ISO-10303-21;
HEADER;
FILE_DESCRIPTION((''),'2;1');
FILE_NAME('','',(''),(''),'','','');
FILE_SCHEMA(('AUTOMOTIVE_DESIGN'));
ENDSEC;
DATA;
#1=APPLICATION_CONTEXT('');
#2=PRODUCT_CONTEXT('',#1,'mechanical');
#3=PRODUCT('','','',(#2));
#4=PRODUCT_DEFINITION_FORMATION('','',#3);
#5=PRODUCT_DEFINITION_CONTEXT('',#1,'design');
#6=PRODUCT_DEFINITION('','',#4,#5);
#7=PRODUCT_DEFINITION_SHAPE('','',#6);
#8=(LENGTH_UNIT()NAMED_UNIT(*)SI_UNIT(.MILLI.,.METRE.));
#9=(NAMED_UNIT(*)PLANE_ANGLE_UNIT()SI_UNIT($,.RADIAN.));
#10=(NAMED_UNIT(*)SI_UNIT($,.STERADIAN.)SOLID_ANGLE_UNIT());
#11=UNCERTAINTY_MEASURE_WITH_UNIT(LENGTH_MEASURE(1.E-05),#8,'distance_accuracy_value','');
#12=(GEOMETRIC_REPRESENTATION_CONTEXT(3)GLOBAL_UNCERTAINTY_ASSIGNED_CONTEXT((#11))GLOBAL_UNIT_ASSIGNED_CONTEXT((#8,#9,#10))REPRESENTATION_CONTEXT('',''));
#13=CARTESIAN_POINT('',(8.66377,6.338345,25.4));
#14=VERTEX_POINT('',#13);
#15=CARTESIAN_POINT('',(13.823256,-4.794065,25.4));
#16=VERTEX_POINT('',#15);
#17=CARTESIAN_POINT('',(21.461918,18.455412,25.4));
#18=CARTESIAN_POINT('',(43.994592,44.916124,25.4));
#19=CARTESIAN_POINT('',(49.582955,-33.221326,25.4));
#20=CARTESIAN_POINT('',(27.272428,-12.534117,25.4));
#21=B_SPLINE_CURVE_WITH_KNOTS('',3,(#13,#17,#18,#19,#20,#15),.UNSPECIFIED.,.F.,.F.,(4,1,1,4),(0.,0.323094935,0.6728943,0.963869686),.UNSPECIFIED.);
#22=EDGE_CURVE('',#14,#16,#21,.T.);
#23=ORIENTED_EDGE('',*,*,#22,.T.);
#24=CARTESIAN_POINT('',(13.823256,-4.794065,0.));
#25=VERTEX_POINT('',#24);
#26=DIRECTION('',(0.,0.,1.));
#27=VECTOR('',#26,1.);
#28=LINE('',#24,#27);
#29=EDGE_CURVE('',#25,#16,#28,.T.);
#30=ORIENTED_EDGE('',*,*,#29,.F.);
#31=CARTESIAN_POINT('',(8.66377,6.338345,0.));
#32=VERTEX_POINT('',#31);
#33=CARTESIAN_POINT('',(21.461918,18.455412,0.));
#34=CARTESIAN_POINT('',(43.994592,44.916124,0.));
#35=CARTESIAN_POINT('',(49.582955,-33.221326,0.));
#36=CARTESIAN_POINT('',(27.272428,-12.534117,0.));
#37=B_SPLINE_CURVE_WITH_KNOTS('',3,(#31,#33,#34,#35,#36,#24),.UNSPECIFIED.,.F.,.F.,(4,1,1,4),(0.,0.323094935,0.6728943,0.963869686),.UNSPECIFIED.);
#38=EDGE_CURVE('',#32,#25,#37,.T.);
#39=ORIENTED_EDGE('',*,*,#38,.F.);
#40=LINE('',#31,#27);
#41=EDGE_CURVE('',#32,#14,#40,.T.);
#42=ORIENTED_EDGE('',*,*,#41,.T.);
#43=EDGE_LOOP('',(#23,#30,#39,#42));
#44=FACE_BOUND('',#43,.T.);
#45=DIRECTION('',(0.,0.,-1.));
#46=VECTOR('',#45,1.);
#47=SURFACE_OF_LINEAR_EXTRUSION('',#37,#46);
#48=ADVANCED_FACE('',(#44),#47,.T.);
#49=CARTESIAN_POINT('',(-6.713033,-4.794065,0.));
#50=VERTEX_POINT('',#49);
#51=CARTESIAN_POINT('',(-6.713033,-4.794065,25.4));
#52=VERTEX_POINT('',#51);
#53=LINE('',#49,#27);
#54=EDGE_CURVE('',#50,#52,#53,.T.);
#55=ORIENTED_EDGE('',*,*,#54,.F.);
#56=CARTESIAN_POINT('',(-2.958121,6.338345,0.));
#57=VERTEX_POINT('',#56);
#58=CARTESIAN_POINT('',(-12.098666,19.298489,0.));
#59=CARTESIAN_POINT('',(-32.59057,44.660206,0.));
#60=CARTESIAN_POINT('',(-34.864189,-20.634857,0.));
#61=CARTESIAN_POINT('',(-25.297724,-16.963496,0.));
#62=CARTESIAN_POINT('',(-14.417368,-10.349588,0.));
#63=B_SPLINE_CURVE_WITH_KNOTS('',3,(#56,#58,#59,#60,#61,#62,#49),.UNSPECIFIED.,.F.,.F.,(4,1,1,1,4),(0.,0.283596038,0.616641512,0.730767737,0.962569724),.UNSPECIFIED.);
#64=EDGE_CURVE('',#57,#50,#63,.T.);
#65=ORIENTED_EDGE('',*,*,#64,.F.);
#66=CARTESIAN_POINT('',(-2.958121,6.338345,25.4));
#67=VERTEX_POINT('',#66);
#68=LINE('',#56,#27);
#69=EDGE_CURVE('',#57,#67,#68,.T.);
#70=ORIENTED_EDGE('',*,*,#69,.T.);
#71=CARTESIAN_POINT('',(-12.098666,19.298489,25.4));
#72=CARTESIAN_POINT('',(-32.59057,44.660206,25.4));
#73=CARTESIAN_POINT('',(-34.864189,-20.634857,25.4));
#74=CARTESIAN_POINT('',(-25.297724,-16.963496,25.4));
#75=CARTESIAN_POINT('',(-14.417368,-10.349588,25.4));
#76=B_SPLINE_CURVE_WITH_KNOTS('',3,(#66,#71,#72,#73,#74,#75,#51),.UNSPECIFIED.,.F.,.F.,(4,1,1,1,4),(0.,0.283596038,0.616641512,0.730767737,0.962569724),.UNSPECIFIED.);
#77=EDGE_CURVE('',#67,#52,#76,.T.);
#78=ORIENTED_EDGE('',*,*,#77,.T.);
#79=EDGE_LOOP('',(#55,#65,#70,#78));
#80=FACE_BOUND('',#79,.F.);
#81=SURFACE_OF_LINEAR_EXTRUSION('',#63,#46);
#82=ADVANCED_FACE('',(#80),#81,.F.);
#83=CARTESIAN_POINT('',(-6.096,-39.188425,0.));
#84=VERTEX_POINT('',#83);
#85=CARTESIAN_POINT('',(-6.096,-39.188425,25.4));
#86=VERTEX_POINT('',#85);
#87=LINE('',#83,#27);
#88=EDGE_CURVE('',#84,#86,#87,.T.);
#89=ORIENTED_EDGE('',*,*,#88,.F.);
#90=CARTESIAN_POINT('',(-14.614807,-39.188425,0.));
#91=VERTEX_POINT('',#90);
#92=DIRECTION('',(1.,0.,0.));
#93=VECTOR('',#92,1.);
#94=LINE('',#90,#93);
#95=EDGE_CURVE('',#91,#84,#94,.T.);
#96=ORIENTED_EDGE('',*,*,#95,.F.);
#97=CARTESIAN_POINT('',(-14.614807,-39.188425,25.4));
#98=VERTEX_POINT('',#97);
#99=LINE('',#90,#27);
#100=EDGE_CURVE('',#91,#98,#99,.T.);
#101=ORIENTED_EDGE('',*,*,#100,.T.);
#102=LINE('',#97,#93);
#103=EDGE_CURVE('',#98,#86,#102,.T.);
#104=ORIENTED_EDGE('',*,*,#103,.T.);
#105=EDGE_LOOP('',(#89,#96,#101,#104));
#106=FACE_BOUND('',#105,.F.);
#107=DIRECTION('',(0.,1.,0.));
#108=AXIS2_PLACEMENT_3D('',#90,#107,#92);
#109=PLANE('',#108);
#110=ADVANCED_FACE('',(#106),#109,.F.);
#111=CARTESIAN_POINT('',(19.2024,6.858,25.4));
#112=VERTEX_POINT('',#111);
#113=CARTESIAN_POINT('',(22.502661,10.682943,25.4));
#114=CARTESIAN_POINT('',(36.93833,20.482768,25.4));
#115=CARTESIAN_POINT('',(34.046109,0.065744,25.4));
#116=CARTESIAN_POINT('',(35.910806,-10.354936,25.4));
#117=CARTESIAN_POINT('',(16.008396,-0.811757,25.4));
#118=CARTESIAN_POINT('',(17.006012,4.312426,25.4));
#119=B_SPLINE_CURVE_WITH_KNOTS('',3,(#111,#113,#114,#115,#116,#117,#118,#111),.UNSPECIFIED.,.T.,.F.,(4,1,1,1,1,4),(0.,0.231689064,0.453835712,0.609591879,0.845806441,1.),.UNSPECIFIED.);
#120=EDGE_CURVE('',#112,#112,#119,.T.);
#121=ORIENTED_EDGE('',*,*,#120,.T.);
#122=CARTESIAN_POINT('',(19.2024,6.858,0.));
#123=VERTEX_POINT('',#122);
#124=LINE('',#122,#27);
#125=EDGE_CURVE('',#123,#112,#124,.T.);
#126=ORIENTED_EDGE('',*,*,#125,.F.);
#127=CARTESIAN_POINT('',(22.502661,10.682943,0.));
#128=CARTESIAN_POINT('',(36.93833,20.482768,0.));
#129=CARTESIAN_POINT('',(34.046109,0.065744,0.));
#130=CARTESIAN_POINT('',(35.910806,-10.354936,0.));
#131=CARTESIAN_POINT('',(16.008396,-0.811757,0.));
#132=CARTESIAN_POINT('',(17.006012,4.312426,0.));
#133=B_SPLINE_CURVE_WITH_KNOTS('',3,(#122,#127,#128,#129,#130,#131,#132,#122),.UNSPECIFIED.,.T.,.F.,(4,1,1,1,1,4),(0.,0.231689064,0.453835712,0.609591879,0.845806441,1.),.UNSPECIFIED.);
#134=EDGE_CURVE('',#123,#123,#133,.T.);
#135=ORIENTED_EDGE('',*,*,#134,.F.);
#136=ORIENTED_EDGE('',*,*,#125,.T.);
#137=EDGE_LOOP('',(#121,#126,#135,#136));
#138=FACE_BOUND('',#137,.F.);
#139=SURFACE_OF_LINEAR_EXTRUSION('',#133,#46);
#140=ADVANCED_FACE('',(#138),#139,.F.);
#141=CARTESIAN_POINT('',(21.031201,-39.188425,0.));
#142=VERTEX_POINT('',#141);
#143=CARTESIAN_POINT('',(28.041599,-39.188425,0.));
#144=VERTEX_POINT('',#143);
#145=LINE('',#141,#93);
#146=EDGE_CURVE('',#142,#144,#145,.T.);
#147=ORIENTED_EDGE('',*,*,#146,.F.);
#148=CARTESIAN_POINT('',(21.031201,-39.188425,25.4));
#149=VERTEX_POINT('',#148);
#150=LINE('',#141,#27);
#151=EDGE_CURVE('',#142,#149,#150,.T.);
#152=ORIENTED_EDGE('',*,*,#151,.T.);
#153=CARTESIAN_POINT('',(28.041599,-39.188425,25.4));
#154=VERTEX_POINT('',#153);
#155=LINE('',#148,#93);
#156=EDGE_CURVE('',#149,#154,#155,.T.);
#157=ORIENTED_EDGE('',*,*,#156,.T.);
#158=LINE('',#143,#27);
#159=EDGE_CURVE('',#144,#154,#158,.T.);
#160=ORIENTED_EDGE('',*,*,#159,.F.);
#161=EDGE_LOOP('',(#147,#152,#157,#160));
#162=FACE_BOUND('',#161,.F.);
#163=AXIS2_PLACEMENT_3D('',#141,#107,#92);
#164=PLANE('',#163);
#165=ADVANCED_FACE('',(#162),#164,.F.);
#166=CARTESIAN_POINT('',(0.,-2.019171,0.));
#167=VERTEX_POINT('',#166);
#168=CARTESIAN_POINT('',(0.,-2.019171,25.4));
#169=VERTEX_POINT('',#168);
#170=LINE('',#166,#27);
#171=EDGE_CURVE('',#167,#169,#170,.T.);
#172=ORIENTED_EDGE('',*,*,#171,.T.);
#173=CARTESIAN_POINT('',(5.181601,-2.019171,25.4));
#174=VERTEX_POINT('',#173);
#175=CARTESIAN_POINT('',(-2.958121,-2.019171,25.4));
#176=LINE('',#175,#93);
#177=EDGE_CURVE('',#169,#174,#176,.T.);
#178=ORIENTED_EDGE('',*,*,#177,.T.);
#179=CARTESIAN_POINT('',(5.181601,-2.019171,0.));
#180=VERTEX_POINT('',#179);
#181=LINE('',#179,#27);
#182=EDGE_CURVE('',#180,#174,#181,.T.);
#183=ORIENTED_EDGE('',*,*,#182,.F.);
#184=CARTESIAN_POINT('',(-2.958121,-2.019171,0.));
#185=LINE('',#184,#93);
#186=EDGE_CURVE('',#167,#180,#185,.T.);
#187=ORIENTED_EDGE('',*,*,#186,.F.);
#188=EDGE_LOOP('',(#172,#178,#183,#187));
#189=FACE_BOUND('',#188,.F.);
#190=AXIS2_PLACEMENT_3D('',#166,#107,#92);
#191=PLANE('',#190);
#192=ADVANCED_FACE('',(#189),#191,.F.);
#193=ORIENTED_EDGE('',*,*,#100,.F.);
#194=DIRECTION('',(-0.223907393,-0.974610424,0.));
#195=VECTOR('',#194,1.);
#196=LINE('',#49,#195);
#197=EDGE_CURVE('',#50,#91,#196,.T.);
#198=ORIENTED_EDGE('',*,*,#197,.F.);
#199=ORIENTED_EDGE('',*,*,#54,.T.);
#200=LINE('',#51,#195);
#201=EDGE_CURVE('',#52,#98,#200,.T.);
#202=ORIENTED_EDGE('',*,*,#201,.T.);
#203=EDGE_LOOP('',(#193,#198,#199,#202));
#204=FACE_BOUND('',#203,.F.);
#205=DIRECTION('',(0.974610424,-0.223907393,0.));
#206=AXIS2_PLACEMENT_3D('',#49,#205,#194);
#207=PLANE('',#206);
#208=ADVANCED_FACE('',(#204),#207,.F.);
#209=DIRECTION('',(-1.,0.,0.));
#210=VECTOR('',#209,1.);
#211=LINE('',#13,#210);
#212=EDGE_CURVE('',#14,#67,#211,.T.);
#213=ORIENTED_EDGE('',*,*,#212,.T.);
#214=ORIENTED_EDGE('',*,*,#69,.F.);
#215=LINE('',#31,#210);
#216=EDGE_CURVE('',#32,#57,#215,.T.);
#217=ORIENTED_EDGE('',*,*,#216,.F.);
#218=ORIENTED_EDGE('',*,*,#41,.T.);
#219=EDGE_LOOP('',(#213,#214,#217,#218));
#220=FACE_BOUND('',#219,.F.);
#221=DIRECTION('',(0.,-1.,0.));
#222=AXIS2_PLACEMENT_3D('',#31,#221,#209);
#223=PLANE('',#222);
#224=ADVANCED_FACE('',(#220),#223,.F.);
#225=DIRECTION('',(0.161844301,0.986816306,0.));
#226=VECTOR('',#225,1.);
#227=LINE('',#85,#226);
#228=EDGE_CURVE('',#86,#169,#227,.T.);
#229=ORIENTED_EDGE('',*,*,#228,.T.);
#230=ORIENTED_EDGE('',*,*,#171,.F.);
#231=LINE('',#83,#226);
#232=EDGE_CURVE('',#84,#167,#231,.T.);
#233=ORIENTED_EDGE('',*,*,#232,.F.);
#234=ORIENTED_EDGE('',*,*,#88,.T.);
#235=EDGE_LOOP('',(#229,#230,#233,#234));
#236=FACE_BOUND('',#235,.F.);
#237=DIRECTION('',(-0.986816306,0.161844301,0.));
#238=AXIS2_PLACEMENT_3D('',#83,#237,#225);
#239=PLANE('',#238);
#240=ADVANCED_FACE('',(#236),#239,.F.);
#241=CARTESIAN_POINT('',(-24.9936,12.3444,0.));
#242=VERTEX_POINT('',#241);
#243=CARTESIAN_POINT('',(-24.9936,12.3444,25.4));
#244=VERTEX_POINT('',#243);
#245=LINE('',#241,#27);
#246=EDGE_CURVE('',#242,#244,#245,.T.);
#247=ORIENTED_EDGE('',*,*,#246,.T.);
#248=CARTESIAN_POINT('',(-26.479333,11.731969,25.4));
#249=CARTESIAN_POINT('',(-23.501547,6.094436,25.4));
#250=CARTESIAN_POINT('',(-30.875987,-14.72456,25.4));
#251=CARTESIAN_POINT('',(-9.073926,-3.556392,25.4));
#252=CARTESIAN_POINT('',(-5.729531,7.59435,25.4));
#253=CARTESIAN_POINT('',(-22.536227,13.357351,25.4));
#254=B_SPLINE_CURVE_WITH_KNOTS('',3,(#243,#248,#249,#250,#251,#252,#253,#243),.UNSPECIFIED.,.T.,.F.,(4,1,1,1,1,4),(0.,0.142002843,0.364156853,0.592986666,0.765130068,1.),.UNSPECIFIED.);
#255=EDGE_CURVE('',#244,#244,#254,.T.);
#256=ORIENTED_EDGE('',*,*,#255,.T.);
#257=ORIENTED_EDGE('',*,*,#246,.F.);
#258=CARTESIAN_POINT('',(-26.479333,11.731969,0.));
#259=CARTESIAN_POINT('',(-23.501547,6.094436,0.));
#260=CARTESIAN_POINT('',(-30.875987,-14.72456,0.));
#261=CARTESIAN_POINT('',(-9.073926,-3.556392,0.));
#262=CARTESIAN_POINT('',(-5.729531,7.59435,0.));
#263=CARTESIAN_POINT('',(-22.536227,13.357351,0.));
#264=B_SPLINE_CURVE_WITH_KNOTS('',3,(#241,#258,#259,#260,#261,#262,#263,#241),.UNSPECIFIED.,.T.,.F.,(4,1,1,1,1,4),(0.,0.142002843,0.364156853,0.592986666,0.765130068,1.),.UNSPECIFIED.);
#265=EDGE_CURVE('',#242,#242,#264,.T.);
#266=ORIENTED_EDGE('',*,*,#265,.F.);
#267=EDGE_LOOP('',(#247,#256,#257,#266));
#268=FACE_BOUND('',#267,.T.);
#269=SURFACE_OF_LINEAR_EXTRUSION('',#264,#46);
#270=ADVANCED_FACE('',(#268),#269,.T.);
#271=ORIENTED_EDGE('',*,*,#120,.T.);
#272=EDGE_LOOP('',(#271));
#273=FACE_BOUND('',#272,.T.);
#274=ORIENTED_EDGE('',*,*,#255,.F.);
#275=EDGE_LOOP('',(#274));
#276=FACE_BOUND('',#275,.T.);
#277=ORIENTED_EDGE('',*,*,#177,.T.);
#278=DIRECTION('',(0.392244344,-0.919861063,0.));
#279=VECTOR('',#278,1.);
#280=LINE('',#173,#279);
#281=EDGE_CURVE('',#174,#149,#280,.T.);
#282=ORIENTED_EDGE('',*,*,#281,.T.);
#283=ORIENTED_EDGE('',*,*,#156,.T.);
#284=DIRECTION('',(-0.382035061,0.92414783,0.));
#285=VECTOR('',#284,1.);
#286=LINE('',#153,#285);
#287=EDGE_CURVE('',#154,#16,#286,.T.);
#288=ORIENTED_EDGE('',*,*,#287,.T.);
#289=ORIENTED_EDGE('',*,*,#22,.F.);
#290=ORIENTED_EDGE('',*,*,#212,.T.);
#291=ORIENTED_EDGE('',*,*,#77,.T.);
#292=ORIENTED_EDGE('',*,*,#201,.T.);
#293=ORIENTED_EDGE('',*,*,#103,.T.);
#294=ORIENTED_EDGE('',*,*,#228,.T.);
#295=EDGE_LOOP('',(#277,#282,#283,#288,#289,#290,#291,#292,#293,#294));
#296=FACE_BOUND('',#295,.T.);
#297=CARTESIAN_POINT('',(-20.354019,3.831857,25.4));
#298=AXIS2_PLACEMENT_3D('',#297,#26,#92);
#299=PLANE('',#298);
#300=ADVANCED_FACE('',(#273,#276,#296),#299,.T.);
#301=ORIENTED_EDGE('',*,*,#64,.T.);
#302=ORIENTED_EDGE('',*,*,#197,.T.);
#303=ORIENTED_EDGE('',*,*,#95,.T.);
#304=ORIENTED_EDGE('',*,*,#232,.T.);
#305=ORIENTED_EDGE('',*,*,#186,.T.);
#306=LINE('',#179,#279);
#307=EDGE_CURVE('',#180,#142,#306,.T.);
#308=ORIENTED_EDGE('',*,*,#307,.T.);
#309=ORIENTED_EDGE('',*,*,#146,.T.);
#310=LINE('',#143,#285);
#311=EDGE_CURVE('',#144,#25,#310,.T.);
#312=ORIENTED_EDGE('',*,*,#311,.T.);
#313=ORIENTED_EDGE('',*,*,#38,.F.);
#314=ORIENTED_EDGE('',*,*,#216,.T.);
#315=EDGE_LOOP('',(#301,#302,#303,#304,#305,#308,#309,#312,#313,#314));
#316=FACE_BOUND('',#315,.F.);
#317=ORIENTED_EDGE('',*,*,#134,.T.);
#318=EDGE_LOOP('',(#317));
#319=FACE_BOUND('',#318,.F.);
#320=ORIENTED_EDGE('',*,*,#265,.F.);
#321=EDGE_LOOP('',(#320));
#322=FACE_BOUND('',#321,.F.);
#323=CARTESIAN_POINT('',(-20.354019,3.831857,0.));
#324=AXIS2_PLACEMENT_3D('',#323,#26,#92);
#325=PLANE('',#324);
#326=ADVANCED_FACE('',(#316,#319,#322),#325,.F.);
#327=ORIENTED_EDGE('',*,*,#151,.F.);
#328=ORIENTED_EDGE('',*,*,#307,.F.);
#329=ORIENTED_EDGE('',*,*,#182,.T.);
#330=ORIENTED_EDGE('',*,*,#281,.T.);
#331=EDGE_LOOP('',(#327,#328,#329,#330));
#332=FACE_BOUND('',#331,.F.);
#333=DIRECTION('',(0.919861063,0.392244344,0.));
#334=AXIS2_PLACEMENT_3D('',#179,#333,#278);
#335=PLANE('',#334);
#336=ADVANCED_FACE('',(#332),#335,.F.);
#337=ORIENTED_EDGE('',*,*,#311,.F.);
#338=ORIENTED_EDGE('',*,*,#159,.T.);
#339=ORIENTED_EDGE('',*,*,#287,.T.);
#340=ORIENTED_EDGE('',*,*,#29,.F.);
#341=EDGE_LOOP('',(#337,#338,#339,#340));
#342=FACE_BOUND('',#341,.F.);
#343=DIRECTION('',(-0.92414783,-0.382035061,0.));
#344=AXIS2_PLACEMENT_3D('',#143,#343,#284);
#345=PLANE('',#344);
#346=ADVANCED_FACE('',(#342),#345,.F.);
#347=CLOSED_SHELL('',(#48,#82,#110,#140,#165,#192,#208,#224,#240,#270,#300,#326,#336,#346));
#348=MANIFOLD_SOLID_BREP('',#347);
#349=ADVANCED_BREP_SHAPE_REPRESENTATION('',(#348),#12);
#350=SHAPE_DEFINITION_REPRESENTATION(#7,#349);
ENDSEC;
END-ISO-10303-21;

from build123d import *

# Parameters (mm, degrees)
F1_DEPTH = 25.4


with BuildPart() as f1:
    # F0 (on Top) → F1 (new body)
    with BuildSketch(Plane.XY):
        with BuildLine():
            Line((-2.9581205236, -2.0191706615), (-2.9581205236, 6.338345402))
            add(Edge.make_bspline(
                [(-2.9581205236, 6.338345402), (-12.0986659968, 19.2984889686), (-32.5905697542, 44.6602055525), (-34.8641885967, -20.6348572647), (-25.2977244286, -16.9634962979), (-14.417367639, -10.3495882245), (-6.7130328958, -4.7940652445)],
                knots=[0, 0, 0, 0, 0.2835960384, 0.6166415118, 0.730767737, 0.9625697241, 0.9625697241, 0.9625697241, 0.9625697241], degree=3))
            add(Edge.make_bspline(
                [(-6.7130328958, -4.7940652445), (-5.4689737815, -3.8969859731), (-4.2141316776, -2.970608914), (-2.9581205236, -2.0191706615)],
                knots=[0.9625697241, 0.9625697241, 0.9625697241, 0.9625697241, 1, 1, 1, 1], degree=3))
        make_face()
        with BuildLine():
            add(Edge.make_bspline(
                [(-24.9936003238, 12.3444003984), (-26.4793332005, 11.7319685698), (-23.5015465077, 6.0944355289), (-30.8759872237, -14.7245595864), (-9.0739261199, -3.5563915999), (-5.7295309332, 7.5943501316), (-22.5362271262, 13.357350697), (-24.9936003238, 12.3444003984)],
                knots=[0, 0, 0, 0, 0.1420028425, 0.3641568526, 0.5929866655, 0.7651300683, 1, 1, 1, 1], degree=3))
        make_face(mode=Mode.SUBTRACT)
        with BuildLine():
            add(Edge.make_bspline(
                [(8.6637696077, 6.338345402), (21.461918375, 18.4554115112), (43.9945923097, 44.9161242647), (49.5829548416, -33.2213258299), (27.2724278193, -12.5341174591), (13.8232555906, -4.7940652445)],
                knots=[0, 0, 0, 0, 0.3230949347, 0.6728943001, 0.9638696859, 0.9638696859, 0.9638696859, 0.9638696859], degree=3))
            Line((8.6637696077, 6.338345402), (8.6637696077, 2.1595873702))
            Line((8.6637696077, 2.1595873702), (8.6637696077, 0))
            Line((8.6637696077, 0), (8.6637696077, -2.0191706615))
            add(Edge.make_bspline(
                [(13.8232555906, -4.7940652445), (12.1532764748, -3.8329856082), (10.4321404472, -2.8974074429), (8.6637696077, -2.0191706615)],
                knots=[0.9638696859, 0.9638696859, 0.9638696859, 0.9638696859, 1, 1, 1, 1], degree=3))
        make_face()
        with BuildLine():
            add(Edge.make_bspline(
                [(19.2023999989, 6.8580000661), (22.5026610651, 10.6829434203), (36.938330071, 20.4827682141), (34.046109161, 0.0657442607), (35.9108058501, -10.3549355623), (16.0083963591, -0.8117573707), (17.0060123562, 4.3124262013), (19.2023999989, 6.8580000661)],
                knots=[0, 0, 0, 0, 0.2316890644, 0.4538357119, 0.6095918787, 0.8458064414, 1, 1, 1, 1], degree=3))
        make_face(mode=Mode.SUBTRACT)
        Polygon((8.6637696077, 6.338345402), (-2.9581205236, 6.338345402), (-2.9581205236, -2.0191706615), (0, -2.0191706615), (5.1816008054, -2.0191706615), (8.6637696077, -2.0191706615), (8.6637696077, 0), (8.6637696077, 2.1595873702), align=None)
        with BuildLine():
            Line((28.0415993184, -39.1884254924), (13.8232555906, -4.7940652445))
            add(Edge.make_bspline(
                [(13.8232555906, -4.7940652445), (12.1532764748, -3.8329856082), (10.4321404472, -2.8974074429), (8.6637696077, -2.0191706615)],
                knots=[0.9638696859, 0.9638696859, 0.9638696859, 0.9638696859, 1, 1, 1, 1], degree=3))
            Line((8.6637696077, -2.0191706615), (5.1816008054, -2.0191706615))
            Line((5.1816008054, -2.0191706615), (21.0312008858, -39.1884254924))
            Line((21.0312008858, -39.1884254924), (28.0415993184, -39.1884254924))
        make_face()
        with BuildLine():
            Line((0, -2.0191706615), (-2.9581205236, -2.0191706615))
            add(Edge.make_bspline(
                [(-6.7130328958, -4.7940652445), (-5.4689737815, -3.8969859731), (-4.2141316776, -2.970608914), (-2.9581205236, -2.0191706615)],
                knots=[0.9625697241, 0.9625697241, 0.9625697241, 0.9625697241, 1, 1, 1, 1], degree=3))
            Line((-6.7130328958, -4.7940652445), (-14.6148071262, -39.1884254924))
            Line((-14.6148071262, -39.1884254924), (-6.0959998518, -39.1884254924))
            Line((-6.0959998518, -39.1884254924), (0, -2.0191706615))
        make_face()
    extrude(amount=F1_DEPTH)


solid = f1.part
